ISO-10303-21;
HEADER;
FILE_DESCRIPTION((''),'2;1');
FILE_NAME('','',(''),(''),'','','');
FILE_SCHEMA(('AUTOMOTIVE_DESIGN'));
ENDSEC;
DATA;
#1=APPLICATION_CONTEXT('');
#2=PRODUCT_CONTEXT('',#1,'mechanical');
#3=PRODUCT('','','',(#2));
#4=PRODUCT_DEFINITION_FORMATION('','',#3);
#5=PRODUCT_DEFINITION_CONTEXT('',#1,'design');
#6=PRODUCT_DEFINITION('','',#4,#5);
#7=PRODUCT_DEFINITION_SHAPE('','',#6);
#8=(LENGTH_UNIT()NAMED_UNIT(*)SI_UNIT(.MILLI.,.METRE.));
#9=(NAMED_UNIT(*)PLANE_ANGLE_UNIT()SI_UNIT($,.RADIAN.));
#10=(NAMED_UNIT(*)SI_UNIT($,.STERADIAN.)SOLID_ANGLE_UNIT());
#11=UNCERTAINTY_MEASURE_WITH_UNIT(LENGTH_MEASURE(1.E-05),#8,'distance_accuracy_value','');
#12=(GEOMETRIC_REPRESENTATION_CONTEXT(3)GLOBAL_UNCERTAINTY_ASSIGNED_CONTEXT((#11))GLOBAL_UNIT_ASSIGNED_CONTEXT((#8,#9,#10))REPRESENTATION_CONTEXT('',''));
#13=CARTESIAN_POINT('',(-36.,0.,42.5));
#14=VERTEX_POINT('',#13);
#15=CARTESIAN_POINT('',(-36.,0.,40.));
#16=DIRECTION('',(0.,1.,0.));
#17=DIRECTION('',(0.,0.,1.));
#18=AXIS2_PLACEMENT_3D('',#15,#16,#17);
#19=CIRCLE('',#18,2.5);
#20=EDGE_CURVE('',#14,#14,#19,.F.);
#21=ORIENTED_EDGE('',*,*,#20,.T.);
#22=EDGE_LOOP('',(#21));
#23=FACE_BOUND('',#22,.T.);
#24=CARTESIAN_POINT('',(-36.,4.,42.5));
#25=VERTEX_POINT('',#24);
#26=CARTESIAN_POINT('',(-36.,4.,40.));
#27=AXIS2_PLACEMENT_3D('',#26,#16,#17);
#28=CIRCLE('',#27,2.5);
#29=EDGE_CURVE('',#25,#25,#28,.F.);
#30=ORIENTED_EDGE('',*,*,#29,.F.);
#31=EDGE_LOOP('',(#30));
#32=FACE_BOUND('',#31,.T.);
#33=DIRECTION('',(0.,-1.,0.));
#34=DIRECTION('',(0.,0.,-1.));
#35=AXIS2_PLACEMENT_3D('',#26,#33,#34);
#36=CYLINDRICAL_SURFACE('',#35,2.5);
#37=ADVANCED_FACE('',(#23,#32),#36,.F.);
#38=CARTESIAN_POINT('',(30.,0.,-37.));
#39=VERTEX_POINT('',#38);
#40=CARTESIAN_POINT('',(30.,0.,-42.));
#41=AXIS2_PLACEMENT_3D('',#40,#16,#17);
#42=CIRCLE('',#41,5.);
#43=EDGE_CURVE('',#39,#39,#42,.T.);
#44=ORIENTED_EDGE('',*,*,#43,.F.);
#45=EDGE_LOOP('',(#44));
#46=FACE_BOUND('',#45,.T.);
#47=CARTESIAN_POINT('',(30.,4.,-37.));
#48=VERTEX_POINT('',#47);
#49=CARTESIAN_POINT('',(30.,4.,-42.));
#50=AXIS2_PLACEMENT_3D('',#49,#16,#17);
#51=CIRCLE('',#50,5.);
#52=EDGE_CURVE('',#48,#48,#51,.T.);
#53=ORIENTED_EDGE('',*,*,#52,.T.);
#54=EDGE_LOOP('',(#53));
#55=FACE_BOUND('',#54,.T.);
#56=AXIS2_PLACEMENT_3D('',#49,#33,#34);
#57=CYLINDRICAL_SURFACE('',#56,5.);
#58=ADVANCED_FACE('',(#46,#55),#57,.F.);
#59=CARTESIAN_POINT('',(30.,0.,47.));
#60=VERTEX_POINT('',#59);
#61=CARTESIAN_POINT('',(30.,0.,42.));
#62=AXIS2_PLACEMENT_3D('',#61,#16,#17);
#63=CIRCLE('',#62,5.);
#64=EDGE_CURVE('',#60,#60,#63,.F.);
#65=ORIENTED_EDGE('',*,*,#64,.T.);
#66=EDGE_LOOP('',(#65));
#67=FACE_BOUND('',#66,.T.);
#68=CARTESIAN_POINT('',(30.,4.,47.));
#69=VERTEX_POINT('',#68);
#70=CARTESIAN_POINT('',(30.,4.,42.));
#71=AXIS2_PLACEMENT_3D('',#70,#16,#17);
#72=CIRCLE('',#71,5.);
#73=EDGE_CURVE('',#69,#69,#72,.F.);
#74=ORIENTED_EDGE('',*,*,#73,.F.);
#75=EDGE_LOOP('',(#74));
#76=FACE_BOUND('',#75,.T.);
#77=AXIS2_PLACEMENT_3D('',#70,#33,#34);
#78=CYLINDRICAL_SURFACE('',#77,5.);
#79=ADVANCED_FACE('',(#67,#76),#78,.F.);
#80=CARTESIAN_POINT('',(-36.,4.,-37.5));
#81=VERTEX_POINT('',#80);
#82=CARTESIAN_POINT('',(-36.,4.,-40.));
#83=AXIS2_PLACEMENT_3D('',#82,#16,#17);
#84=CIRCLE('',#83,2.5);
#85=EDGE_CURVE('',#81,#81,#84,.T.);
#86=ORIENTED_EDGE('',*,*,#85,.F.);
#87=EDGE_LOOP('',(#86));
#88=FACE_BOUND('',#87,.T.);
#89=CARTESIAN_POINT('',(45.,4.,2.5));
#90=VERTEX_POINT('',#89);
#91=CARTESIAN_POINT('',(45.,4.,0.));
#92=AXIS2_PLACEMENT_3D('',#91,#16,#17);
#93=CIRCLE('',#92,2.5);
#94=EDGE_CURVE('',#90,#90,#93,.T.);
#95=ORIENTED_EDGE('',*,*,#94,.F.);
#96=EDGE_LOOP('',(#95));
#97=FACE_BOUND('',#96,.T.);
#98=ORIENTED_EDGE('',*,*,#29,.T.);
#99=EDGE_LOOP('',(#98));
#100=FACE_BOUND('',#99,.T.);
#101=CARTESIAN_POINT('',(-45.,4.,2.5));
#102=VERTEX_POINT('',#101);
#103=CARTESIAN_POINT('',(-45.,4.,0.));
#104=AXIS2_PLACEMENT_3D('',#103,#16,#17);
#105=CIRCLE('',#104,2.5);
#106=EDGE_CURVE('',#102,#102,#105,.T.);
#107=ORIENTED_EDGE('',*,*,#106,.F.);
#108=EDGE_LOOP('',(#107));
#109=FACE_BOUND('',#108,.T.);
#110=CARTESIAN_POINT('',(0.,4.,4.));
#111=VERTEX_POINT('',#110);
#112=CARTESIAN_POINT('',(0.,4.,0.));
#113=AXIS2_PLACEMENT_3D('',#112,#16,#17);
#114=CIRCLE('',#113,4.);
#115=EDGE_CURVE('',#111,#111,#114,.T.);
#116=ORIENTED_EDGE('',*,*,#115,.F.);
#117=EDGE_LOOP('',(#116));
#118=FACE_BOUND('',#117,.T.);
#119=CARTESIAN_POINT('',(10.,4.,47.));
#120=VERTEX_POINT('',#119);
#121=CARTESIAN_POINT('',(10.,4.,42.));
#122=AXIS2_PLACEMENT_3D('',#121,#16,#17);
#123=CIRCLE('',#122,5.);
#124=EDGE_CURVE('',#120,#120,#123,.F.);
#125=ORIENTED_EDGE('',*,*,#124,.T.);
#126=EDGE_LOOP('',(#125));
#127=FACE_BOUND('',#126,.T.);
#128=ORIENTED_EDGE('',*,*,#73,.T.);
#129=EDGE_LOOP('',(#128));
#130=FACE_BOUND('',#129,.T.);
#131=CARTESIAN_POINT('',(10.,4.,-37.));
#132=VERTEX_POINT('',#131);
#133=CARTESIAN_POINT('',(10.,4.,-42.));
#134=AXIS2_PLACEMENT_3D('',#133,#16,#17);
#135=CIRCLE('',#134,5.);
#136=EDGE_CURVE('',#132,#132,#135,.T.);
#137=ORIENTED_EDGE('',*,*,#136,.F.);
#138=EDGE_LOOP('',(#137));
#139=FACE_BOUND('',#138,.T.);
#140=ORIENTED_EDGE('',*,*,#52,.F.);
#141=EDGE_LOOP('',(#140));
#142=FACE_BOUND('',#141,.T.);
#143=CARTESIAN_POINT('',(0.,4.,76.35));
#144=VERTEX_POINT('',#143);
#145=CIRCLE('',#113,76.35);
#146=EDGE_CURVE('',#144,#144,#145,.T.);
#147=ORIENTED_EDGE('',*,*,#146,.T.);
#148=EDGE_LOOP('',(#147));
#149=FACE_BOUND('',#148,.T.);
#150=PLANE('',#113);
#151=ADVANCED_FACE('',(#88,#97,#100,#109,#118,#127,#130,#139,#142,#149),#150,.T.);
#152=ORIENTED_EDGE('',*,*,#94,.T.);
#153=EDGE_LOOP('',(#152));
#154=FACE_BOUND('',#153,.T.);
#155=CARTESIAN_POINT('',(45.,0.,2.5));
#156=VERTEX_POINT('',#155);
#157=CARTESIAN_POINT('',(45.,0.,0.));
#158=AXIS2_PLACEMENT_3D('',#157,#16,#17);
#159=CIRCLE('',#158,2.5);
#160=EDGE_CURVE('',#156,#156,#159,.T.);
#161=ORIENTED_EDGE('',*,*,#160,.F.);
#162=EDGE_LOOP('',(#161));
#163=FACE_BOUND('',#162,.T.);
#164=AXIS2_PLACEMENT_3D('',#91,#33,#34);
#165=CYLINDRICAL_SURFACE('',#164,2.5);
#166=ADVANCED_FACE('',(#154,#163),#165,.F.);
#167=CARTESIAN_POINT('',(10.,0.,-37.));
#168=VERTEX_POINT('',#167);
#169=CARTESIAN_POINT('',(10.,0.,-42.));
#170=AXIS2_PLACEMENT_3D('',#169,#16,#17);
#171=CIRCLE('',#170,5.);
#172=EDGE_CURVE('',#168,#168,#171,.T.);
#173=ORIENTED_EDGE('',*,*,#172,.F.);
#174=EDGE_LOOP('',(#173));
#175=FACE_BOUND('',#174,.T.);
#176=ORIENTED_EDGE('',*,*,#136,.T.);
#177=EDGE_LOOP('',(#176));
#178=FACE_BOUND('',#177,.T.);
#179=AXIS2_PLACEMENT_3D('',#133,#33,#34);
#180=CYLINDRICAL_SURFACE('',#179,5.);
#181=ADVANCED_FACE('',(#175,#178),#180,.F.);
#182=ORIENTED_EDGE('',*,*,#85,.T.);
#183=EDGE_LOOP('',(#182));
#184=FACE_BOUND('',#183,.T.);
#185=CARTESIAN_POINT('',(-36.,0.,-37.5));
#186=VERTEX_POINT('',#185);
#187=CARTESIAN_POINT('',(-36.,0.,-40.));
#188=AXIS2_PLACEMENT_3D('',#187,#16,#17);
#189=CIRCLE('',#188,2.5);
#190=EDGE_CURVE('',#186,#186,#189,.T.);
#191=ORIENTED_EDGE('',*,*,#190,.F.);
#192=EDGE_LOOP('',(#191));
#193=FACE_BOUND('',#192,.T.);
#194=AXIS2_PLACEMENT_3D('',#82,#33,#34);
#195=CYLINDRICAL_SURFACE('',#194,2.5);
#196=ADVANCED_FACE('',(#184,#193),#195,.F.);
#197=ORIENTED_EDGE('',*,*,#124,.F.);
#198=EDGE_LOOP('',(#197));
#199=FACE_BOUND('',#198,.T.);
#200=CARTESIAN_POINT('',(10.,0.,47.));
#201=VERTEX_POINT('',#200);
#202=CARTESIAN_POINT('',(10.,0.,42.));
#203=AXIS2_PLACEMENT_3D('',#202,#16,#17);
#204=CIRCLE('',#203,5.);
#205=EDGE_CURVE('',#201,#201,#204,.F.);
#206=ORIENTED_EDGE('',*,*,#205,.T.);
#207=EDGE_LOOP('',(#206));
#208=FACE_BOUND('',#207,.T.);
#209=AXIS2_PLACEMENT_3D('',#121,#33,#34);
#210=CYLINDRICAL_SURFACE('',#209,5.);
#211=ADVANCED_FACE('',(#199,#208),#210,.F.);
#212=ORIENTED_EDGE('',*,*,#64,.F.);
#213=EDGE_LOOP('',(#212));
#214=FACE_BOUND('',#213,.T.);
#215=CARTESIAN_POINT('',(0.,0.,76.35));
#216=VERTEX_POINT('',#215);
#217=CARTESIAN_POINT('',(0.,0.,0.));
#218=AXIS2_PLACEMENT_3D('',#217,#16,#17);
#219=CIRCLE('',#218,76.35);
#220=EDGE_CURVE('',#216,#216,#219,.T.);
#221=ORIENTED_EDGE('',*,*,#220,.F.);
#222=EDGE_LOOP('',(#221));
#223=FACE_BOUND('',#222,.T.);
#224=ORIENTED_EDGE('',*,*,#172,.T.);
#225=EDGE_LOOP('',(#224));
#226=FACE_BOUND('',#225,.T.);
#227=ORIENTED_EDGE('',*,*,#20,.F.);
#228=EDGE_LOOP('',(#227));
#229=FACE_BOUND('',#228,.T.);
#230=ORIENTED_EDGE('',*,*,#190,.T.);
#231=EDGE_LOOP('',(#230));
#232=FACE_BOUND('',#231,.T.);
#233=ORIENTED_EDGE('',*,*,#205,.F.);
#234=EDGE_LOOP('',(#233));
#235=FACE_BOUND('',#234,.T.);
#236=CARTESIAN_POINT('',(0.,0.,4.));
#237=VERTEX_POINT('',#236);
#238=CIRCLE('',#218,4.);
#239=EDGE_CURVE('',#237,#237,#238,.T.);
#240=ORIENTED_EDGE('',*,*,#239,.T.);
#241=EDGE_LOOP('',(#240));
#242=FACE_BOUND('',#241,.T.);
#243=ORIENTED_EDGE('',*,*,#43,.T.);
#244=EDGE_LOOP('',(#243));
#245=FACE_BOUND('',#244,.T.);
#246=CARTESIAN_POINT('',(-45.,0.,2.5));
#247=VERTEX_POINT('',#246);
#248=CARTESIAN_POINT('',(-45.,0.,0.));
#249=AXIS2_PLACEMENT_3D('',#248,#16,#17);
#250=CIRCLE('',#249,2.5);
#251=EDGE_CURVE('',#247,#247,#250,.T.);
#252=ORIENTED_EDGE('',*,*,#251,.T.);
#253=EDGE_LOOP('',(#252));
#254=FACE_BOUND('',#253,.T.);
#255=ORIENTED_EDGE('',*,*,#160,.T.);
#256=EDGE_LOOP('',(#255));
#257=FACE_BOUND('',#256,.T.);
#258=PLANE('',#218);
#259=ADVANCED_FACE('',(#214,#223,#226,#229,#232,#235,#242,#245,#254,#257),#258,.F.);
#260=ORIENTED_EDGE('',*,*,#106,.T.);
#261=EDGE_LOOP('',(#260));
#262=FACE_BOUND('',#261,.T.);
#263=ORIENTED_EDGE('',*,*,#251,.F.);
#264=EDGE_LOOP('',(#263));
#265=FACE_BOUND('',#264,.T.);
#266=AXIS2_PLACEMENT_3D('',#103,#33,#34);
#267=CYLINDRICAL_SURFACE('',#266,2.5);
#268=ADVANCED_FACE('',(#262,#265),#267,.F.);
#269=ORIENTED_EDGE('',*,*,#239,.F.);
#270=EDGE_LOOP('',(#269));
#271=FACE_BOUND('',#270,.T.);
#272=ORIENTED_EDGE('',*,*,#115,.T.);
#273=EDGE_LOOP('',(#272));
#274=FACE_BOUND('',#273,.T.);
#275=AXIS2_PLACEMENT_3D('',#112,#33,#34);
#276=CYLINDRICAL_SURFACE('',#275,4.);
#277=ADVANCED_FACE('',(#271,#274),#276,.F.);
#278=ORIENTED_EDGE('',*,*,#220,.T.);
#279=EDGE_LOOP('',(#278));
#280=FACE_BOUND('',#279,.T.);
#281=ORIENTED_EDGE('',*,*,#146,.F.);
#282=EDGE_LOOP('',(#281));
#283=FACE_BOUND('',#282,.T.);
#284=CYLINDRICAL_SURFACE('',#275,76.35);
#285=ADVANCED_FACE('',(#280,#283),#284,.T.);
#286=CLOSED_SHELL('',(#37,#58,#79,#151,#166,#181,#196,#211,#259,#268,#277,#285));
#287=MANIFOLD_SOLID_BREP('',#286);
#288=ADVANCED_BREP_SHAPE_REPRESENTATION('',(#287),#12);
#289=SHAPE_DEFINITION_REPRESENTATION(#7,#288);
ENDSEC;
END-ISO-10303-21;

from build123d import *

# Parameters (mm, degrees)
SKETCH1_R           = 76.35
SKETCH1_R_2         = 2.5
SKETCH1_R_3         = 4
SKETCH1_R_4         = 5
BOSS_EXTRUDE1_DEPTH = 4


with BuildPart() as part:
    # Sketch1 → Boss-Extrude1 (new body)
    with BuildSketch(Plane(origin=(0, 0, 0), x_dir=(1, 0, 0), z_dir=(0, 1, 0))):
        with Locations(Location((0, 0, 0), (0, 0, 270))):
            Circle(SKETCH1_R)
        with Locations(Location((-45, 0, 0), (0, 0, 270))):
            Circle(SKETCH1_R_2, mode=Mode.SUBTRACT)
        with Locations(Location((45, 0, 0), (0, 0, 270))):
            Circle(SKETCH1_R_2, mode=Mode.SUBTRACT)
        with Locations(Location((0, 0, 0), (0, 0, 270))):
            Circle(SKETCH1_R_3, mode=Mode.SUBTRACT)
        with Locations(Location((-36, 40, 0), (0, 0, 270))):
            Circle(SKETCH1_R_2, mode=Mode.SUBTRACT)
        with Locations(Location((10, 42, 0), (0, 0, 270))):
            Circle(SKETCH1_R_4, mode=Mode.SUBTRACT)
        with Locations(Location((30, 42, 0), (0, 0, 270))):
            Circle(SKETCH1_R_4, mode=Mode.SUBTRACT)
        with Locations(Location((30, -42, 0), (0, 0, 270))):
            Circle(SKETCH1_R_4, mode=Mode.SUBTRACT)
        with Locations(Location((10, -42, 0), (0, 0, 270))):
            Circle(SKETCH1_R_4, mode=Mode.SUBTRACT)
        with Locations(Location((-36, -40, 0), (0, 0, 270))):
            Circle(SKETCH1_R_2, mode=Mode.SUBTRACT)
    extrude(amount=BOSS_EXTRUDE1_DEPTH)


solid = part.part
